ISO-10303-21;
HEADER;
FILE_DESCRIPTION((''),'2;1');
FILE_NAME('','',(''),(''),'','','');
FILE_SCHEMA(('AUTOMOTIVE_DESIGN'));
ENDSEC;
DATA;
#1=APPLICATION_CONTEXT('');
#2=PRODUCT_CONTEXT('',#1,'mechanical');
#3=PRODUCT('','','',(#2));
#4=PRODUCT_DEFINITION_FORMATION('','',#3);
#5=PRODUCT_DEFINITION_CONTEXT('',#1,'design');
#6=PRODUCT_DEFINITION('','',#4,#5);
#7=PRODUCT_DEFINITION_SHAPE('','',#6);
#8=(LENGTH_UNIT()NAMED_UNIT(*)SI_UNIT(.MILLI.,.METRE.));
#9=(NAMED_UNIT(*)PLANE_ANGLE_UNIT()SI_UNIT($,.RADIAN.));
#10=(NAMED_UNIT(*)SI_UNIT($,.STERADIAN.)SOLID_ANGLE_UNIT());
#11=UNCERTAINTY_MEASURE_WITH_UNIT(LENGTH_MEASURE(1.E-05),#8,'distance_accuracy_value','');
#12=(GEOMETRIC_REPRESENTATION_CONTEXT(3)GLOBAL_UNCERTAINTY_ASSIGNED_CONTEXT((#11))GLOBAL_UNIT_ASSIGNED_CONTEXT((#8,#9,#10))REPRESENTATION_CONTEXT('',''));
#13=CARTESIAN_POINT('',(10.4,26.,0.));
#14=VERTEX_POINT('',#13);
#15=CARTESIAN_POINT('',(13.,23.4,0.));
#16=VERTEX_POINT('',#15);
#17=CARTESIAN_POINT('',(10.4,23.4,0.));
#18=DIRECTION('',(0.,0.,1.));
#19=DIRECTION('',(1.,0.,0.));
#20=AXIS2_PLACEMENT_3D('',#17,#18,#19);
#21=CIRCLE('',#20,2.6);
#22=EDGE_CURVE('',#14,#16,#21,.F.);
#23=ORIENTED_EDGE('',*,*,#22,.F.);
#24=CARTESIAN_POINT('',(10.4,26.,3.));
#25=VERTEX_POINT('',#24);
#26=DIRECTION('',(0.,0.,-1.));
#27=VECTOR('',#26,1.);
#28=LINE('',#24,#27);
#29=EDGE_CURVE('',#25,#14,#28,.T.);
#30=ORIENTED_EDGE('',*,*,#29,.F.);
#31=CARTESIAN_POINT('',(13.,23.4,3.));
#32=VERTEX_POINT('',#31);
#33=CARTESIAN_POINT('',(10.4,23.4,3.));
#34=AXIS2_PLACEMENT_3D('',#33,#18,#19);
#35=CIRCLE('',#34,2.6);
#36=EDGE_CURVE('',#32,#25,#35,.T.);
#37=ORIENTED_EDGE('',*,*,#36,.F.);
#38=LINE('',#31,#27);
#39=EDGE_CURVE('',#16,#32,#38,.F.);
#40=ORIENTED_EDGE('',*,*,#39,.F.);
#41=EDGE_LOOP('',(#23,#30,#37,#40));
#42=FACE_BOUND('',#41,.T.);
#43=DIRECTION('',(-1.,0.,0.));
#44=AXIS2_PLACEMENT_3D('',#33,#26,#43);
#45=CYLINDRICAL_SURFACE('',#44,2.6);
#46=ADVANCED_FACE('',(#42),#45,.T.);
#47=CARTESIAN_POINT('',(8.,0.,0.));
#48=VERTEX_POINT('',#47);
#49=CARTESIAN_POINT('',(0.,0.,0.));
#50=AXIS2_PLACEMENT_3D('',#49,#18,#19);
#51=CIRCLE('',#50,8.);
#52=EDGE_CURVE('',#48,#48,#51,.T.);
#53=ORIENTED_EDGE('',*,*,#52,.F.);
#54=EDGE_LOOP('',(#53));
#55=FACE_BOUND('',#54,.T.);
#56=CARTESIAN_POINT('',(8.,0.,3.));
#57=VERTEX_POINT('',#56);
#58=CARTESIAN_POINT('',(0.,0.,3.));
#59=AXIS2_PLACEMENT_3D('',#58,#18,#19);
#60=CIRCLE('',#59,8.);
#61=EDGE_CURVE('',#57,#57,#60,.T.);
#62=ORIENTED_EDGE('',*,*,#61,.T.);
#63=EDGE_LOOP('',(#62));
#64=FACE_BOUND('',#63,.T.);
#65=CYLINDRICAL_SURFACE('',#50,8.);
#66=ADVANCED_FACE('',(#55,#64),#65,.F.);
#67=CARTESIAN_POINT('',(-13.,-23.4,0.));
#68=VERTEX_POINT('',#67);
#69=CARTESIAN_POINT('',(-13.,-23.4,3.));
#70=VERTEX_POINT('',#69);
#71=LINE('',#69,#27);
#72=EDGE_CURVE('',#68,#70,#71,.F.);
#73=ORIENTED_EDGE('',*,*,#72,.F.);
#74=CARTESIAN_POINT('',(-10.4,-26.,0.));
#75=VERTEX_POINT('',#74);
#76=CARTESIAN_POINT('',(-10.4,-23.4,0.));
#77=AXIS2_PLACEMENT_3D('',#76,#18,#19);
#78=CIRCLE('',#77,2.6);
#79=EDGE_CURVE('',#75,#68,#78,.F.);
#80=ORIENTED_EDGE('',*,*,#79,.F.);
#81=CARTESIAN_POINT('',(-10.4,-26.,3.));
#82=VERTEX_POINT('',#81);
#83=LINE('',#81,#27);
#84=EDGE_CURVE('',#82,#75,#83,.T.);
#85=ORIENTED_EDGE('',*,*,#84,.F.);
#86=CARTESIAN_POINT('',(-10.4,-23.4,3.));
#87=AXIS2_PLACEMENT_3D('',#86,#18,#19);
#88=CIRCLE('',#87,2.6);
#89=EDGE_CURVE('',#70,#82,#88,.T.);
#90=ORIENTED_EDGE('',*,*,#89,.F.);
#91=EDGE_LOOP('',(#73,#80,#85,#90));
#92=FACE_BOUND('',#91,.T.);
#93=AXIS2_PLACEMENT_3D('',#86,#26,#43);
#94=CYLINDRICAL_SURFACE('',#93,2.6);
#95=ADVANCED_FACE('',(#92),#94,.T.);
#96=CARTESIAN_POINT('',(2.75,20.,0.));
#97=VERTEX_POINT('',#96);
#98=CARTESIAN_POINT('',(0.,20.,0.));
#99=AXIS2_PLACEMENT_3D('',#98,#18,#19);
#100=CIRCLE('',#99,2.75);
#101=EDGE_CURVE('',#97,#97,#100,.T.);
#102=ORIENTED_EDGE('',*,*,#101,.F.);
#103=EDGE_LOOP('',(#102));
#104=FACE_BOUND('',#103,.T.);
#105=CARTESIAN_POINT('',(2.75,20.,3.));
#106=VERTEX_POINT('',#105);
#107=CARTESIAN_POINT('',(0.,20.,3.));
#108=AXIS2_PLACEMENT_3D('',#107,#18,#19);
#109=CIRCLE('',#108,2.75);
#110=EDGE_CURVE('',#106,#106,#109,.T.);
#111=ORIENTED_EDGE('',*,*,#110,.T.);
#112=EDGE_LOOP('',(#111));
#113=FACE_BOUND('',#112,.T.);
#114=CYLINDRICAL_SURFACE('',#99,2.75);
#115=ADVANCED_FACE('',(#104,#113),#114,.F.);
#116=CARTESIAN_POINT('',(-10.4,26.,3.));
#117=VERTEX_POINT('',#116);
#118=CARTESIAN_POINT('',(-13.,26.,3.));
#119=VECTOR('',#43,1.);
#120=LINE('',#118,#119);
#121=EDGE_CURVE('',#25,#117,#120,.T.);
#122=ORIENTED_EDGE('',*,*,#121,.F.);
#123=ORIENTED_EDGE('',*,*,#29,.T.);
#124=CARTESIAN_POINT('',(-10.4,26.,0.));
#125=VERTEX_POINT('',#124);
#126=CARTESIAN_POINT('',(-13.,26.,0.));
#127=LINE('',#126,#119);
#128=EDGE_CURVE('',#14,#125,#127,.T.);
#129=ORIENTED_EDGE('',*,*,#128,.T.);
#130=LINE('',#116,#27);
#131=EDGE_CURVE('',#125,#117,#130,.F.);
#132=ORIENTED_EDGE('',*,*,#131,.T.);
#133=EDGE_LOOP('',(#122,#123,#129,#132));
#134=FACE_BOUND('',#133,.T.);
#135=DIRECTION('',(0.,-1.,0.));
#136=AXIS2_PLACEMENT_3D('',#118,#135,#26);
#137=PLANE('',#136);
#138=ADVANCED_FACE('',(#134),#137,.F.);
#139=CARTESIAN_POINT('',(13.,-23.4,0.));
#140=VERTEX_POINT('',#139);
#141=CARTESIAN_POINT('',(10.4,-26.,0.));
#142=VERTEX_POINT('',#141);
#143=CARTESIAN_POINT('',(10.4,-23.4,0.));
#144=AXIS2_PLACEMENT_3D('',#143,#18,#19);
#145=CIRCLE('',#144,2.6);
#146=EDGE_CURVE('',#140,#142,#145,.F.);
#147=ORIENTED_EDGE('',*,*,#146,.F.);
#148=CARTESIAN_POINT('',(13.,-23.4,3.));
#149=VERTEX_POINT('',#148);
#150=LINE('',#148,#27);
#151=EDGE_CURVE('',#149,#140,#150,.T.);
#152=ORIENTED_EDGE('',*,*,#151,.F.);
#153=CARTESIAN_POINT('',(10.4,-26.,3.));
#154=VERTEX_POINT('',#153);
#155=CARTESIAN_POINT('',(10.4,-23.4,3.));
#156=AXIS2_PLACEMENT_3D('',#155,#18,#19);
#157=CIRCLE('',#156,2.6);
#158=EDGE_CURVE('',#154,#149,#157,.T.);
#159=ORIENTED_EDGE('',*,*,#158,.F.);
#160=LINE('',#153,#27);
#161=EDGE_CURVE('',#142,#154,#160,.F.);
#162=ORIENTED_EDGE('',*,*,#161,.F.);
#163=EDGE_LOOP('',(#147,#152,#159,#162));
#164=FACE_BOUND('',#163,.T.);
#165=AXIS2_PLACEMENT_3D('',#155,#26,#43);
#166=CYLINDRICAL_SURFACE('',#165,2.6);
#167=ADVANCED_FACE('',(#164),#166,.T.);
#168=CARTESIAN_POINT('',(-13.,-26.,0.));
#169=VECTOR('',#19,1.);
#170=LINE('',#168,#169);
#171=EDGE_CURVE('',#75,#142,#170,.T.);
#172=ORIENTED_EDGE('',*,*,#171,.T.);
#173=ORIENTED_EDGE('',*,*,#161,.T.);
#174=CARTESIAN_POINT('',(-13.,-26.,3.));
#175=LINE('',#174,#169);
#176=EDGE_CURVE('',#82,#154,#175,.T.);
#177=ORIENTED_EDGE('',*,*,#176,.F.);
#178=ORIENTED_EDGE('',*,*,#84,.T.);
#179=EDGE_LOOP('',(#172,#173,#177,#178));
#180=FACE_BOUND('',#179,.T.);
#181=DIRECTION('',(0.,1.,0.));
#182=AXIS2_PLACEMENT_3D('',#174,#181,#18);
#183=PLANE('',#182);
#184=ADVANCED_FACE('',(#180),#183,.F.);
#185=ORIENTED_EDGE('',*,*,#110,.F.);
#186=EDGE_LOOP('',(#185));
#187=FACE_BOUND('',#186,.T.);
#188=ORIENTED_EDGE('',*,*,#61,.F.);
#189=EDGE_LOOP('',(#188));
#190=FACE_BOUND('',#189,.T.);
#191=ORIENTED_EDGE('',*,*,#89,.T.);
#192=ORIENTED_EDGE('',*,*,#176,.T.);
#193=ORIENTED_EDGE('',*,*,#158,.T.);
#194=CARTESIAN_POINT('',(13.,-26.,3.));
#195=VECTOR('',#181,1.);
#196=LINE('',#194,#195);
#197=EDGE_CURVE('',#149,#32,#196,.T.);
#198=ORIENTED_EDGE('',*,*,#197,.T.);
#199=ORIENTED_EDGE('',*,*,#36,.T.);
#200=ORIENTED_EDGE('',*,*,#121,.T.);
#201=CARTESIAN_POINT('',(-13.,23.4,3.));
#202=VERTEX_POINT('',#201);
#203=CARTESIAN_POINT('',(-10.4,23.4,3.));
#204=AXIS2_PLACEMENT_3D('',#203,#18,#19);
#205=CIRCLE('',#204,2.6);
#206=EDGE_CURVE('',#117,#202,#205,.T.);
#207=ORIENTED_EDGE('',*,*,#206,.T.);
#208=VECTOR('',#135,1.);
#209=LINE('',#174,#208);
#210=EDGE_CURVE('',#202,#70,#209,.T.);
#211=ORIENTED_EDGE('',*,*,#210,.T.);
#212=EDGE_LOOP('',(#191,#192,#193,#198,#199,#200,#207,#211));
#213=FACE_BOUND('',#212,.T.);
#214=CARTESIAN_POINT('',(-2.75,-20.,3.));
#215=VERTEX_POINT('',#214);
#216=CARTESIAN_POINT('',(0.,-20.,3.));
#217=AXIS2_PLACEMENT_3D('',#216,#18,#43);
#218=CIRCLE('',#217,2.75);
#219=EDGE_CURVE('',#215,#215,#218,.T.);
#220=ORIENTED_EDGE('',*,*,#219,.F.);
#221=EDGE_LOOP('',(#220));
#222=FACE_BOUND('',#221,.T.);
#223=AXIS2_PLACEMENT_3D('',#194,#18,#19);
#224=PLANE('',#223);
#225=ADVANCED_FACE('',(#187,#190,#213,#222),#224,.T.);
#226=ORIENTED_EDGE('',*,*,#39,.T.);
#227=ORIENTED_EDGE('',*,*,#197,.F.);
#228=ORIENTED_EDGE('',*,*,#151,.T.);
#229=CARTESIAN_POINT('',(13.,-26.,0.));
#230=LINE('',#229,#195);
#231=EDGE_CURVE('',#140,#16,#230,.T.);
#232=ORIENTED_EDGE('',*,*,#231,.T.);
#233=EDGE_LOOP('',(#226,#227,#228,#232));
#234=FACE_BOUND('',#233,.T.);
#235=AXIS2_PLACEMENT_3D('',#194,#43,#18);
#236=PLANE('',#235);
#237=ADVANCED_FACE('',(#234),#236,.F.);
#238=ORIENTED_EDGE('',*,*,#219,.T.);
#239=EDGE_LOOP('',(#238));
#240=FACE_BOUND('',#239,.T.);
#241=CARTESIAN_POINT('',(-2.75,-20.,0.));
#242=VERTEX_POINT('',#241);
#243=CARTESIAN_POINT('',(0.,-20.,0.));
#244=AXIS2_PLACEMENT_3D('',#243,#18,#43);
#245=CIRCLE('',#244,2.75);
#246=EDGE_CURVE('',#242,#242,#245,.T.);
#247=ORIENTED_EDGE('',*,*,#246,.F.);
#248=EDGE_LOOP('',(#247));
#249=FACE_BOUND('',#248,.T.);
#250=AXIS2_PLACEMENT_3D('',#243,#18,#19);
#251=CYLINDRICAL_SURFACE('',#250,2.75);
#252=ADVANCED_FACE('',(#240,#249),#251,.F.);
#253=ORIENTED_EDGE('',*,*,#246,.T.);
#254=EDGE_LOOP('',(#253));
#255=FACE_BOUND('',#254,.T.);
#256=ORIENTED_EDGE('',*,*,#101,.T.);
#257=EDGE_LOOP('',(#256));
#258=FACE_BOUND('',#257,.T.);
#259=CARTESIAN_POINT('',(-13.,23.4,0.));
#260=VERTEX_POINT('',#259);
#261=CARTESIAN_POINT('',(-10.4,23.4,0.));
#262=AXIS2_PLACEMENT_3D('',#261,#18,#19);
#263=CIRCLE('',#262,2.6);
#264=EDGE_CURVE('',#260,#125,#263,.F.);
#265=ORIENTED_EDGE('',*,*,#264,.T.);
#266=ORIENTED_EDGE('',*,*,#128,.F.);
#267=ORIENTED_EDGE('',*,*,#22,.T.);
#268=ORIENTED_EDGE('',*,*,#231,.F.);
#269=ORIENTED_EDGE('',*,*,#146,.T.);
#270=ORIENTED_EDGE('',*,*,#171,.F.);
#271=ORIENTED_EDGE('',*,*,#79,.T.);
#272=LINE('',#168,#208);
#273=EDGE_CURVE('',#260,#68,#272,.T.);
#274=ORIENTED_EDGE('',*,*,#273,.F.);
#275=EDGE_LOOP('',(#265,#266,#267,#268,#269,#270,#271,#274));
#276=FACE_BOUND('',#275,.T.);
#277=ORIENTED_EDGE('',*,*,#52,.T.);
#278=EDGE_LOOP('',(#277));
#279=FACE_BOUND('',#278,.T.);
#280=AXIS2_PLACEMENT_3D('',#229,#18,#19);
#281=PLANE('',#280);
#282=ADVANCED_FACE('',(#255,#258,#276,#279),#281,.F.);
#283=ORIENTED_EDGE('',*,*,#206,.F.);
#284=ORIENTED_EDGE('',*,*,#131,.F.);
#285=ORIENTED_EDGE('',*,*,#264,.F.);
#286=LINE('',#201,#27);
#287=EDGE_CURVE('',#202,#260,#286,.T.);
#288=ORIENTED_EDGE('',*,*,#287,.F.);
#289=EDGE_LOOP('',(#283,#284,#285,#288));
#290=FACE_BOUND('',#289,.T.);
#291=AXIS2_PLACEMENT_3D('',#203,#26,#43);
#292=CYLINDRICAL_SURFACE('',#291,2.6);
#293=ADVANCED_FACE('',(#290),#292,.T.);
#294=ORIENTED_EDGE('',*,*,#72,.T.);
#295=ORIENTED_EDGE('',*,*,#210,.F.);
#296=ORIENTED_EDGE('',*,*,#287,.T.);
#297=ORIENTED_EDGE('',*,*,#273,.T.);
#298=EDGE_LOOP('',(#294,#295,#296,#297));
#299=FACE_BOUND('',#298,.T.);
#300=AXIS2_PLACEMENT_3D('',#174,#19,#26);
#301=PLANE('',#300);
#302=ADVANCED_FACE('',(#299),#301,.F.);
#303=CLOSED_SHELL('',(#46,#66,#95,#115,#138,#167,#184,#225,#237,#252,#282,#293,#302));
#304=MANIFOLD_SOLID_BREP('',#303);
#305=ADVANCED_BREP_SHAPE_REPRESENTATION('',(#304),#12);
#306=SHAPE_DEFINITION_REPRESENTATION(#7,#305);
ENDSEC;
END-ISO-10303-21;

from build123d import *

# Parameters (mm, degrees)
SKETCH_2_W           = 26
SKETCH_2_H           = 52
EXTRUDE_1_DEPTH      = 3
SKETCH_4_R           = 8
CUT_EXTRUDE_2_DEPTH  = 30.223278392
FILLET_1_R           = 2.6
SKETCH_3_R           = 2.75
CUT_EXTRUDE_16_DEPTH = 30.223278392


with BuildPart() as part:
    # 草图2 → 凸台-拉伸1 (new body)
    with BuildSketch(Plane.XY):
        Rectangle(SKETCH_2_W, SKETCH_2_H)
    extrude(amount=EXTRUDE_1_DEPTH)

    # 草图4 → 切除-拉伸2 (cut, through all)
    with BuildSketch(Plane.XY.offset(3)):
        Circle(SKETCH_4_R)
    extrude(amount=-CUT_EXTRUDE_2_DEPTH, mode=Mode.SUBTRACT)

    # 圆角1
    fillet_1_edges = [part.edges().sort_by_distance(p)[0] for p in [
        (-13, -26, 1.5),
        (-13, 26, 1.5),
        (13, 26, 1.5),
        (13, -26, 1.5),
    ]]
    fillet(fillet_1_edges, radius=FILLET_1_R)

    # 草图3 → 16 (cut, through all)
    with BuildSketch(Plane.XY.offset(3)):
        with Locations((0, 20)):
            Circle(SKETCH_3_R)
        with Locations(Location((0, -20, 0), (0, 0, 180))):
            Circle(SKETCH_3_R)
    extrude(amount=-CUT_EXTRUDE_16_DEPTH, mode=Mode.SUBTRACT)


solid = part.part
